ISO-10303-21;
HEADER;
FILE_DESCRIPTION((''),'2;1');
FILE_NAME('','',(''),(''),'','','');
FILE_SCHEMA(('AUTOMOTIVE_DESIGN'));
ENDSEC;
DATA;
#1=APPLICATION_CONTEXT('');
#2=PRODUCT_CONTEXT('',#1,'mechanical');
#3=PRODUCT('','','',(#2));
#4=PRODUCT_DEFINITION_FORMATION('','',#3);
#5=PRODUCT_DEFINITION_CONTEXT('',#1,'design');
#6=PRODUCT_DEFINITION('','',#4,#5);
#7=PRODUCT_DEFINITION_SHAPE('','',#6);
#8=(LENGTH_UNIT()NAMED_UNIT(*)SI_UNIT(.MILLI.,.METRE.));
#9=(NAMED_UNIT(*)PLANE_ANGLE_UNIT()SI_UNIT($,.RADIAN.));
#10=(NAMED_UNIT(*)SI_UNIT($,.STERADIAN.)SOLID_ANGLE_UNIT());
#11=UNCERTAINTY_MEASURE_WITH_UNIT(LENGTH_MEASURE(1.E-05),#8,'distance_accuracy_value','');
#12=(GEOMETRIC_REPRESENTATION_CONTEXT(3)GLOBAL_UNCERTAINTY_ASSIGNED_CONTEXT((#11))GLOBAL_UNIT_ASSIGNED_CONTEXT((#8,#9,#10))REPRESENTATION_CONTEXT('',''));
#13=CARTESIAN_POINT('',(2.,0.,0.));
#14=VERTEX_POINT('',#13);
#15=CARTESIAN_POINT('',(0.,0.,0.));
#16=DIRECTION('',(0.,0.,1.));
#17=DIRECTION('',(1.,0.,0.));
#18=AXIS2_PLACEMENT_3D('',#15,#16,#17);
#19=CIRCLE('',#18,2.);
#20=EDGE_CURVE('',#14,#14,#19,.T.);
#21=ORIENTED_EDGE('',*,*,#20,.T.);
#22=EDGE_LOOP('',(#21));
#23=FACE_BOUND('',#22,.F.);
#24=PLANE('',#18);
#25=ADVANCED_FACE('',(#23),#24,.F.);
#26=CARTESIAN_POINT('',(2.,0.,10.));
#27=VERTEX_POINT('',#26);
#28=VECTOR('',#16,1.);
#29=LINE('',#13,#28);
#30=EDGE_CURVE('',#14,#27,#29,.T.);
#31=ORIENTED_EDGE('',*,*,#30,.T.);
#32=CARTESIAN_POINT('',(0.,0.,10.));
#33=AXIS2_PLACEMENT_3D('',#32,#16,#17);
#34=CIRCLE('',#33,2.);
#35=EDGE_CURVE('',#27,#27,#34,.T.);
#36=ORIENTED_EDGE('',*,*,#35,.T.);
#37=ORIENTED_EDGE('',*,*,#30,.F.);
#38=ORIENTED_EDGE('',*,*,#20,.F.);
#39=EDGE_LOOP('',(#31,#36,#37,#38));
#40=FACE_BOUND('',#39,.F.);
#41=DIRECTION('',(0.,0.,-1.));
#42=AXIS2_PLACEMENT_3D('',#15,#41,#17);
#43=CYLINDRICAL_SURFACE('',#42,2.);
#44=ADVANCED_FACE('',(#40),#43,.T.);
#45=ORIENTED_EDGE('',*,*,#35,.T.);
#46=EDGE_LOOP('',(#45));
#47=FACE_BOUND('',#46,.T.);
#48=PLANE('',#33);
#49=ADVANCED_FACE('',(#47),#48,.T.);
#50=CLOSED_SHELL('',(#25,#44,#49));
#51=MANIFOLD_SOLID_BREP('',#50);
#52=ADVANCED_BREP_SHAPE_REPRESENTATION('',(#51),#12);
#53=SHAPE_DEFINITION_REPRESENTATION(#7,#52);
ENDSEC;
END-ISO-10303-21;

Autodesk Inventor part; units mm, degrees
ref_plane "YZ Plane" through (0, 0, 0) normal (1, 0, 0) x (0, 1, 0)
ref_plane "XZ Plane" through (0, 0, 0) normal (0, 1, 0) x (-1, 0, 0)
ref_plane "XY Plane" through (0, 0, 0) normal (0, 0, 1) x (1, 0, 0)
sketch "Sketch1" plane through (0, 0, 0) normal (0, 0, 1) x (1, 0, 0)
  circle A0 centre (0, 0) radius 2
  dimension "d0" = 4
  dimension "d0" = 4
extrude "Extrusion1" add sketch "Sketch1" along normal blind 10
properties part number "fix"
